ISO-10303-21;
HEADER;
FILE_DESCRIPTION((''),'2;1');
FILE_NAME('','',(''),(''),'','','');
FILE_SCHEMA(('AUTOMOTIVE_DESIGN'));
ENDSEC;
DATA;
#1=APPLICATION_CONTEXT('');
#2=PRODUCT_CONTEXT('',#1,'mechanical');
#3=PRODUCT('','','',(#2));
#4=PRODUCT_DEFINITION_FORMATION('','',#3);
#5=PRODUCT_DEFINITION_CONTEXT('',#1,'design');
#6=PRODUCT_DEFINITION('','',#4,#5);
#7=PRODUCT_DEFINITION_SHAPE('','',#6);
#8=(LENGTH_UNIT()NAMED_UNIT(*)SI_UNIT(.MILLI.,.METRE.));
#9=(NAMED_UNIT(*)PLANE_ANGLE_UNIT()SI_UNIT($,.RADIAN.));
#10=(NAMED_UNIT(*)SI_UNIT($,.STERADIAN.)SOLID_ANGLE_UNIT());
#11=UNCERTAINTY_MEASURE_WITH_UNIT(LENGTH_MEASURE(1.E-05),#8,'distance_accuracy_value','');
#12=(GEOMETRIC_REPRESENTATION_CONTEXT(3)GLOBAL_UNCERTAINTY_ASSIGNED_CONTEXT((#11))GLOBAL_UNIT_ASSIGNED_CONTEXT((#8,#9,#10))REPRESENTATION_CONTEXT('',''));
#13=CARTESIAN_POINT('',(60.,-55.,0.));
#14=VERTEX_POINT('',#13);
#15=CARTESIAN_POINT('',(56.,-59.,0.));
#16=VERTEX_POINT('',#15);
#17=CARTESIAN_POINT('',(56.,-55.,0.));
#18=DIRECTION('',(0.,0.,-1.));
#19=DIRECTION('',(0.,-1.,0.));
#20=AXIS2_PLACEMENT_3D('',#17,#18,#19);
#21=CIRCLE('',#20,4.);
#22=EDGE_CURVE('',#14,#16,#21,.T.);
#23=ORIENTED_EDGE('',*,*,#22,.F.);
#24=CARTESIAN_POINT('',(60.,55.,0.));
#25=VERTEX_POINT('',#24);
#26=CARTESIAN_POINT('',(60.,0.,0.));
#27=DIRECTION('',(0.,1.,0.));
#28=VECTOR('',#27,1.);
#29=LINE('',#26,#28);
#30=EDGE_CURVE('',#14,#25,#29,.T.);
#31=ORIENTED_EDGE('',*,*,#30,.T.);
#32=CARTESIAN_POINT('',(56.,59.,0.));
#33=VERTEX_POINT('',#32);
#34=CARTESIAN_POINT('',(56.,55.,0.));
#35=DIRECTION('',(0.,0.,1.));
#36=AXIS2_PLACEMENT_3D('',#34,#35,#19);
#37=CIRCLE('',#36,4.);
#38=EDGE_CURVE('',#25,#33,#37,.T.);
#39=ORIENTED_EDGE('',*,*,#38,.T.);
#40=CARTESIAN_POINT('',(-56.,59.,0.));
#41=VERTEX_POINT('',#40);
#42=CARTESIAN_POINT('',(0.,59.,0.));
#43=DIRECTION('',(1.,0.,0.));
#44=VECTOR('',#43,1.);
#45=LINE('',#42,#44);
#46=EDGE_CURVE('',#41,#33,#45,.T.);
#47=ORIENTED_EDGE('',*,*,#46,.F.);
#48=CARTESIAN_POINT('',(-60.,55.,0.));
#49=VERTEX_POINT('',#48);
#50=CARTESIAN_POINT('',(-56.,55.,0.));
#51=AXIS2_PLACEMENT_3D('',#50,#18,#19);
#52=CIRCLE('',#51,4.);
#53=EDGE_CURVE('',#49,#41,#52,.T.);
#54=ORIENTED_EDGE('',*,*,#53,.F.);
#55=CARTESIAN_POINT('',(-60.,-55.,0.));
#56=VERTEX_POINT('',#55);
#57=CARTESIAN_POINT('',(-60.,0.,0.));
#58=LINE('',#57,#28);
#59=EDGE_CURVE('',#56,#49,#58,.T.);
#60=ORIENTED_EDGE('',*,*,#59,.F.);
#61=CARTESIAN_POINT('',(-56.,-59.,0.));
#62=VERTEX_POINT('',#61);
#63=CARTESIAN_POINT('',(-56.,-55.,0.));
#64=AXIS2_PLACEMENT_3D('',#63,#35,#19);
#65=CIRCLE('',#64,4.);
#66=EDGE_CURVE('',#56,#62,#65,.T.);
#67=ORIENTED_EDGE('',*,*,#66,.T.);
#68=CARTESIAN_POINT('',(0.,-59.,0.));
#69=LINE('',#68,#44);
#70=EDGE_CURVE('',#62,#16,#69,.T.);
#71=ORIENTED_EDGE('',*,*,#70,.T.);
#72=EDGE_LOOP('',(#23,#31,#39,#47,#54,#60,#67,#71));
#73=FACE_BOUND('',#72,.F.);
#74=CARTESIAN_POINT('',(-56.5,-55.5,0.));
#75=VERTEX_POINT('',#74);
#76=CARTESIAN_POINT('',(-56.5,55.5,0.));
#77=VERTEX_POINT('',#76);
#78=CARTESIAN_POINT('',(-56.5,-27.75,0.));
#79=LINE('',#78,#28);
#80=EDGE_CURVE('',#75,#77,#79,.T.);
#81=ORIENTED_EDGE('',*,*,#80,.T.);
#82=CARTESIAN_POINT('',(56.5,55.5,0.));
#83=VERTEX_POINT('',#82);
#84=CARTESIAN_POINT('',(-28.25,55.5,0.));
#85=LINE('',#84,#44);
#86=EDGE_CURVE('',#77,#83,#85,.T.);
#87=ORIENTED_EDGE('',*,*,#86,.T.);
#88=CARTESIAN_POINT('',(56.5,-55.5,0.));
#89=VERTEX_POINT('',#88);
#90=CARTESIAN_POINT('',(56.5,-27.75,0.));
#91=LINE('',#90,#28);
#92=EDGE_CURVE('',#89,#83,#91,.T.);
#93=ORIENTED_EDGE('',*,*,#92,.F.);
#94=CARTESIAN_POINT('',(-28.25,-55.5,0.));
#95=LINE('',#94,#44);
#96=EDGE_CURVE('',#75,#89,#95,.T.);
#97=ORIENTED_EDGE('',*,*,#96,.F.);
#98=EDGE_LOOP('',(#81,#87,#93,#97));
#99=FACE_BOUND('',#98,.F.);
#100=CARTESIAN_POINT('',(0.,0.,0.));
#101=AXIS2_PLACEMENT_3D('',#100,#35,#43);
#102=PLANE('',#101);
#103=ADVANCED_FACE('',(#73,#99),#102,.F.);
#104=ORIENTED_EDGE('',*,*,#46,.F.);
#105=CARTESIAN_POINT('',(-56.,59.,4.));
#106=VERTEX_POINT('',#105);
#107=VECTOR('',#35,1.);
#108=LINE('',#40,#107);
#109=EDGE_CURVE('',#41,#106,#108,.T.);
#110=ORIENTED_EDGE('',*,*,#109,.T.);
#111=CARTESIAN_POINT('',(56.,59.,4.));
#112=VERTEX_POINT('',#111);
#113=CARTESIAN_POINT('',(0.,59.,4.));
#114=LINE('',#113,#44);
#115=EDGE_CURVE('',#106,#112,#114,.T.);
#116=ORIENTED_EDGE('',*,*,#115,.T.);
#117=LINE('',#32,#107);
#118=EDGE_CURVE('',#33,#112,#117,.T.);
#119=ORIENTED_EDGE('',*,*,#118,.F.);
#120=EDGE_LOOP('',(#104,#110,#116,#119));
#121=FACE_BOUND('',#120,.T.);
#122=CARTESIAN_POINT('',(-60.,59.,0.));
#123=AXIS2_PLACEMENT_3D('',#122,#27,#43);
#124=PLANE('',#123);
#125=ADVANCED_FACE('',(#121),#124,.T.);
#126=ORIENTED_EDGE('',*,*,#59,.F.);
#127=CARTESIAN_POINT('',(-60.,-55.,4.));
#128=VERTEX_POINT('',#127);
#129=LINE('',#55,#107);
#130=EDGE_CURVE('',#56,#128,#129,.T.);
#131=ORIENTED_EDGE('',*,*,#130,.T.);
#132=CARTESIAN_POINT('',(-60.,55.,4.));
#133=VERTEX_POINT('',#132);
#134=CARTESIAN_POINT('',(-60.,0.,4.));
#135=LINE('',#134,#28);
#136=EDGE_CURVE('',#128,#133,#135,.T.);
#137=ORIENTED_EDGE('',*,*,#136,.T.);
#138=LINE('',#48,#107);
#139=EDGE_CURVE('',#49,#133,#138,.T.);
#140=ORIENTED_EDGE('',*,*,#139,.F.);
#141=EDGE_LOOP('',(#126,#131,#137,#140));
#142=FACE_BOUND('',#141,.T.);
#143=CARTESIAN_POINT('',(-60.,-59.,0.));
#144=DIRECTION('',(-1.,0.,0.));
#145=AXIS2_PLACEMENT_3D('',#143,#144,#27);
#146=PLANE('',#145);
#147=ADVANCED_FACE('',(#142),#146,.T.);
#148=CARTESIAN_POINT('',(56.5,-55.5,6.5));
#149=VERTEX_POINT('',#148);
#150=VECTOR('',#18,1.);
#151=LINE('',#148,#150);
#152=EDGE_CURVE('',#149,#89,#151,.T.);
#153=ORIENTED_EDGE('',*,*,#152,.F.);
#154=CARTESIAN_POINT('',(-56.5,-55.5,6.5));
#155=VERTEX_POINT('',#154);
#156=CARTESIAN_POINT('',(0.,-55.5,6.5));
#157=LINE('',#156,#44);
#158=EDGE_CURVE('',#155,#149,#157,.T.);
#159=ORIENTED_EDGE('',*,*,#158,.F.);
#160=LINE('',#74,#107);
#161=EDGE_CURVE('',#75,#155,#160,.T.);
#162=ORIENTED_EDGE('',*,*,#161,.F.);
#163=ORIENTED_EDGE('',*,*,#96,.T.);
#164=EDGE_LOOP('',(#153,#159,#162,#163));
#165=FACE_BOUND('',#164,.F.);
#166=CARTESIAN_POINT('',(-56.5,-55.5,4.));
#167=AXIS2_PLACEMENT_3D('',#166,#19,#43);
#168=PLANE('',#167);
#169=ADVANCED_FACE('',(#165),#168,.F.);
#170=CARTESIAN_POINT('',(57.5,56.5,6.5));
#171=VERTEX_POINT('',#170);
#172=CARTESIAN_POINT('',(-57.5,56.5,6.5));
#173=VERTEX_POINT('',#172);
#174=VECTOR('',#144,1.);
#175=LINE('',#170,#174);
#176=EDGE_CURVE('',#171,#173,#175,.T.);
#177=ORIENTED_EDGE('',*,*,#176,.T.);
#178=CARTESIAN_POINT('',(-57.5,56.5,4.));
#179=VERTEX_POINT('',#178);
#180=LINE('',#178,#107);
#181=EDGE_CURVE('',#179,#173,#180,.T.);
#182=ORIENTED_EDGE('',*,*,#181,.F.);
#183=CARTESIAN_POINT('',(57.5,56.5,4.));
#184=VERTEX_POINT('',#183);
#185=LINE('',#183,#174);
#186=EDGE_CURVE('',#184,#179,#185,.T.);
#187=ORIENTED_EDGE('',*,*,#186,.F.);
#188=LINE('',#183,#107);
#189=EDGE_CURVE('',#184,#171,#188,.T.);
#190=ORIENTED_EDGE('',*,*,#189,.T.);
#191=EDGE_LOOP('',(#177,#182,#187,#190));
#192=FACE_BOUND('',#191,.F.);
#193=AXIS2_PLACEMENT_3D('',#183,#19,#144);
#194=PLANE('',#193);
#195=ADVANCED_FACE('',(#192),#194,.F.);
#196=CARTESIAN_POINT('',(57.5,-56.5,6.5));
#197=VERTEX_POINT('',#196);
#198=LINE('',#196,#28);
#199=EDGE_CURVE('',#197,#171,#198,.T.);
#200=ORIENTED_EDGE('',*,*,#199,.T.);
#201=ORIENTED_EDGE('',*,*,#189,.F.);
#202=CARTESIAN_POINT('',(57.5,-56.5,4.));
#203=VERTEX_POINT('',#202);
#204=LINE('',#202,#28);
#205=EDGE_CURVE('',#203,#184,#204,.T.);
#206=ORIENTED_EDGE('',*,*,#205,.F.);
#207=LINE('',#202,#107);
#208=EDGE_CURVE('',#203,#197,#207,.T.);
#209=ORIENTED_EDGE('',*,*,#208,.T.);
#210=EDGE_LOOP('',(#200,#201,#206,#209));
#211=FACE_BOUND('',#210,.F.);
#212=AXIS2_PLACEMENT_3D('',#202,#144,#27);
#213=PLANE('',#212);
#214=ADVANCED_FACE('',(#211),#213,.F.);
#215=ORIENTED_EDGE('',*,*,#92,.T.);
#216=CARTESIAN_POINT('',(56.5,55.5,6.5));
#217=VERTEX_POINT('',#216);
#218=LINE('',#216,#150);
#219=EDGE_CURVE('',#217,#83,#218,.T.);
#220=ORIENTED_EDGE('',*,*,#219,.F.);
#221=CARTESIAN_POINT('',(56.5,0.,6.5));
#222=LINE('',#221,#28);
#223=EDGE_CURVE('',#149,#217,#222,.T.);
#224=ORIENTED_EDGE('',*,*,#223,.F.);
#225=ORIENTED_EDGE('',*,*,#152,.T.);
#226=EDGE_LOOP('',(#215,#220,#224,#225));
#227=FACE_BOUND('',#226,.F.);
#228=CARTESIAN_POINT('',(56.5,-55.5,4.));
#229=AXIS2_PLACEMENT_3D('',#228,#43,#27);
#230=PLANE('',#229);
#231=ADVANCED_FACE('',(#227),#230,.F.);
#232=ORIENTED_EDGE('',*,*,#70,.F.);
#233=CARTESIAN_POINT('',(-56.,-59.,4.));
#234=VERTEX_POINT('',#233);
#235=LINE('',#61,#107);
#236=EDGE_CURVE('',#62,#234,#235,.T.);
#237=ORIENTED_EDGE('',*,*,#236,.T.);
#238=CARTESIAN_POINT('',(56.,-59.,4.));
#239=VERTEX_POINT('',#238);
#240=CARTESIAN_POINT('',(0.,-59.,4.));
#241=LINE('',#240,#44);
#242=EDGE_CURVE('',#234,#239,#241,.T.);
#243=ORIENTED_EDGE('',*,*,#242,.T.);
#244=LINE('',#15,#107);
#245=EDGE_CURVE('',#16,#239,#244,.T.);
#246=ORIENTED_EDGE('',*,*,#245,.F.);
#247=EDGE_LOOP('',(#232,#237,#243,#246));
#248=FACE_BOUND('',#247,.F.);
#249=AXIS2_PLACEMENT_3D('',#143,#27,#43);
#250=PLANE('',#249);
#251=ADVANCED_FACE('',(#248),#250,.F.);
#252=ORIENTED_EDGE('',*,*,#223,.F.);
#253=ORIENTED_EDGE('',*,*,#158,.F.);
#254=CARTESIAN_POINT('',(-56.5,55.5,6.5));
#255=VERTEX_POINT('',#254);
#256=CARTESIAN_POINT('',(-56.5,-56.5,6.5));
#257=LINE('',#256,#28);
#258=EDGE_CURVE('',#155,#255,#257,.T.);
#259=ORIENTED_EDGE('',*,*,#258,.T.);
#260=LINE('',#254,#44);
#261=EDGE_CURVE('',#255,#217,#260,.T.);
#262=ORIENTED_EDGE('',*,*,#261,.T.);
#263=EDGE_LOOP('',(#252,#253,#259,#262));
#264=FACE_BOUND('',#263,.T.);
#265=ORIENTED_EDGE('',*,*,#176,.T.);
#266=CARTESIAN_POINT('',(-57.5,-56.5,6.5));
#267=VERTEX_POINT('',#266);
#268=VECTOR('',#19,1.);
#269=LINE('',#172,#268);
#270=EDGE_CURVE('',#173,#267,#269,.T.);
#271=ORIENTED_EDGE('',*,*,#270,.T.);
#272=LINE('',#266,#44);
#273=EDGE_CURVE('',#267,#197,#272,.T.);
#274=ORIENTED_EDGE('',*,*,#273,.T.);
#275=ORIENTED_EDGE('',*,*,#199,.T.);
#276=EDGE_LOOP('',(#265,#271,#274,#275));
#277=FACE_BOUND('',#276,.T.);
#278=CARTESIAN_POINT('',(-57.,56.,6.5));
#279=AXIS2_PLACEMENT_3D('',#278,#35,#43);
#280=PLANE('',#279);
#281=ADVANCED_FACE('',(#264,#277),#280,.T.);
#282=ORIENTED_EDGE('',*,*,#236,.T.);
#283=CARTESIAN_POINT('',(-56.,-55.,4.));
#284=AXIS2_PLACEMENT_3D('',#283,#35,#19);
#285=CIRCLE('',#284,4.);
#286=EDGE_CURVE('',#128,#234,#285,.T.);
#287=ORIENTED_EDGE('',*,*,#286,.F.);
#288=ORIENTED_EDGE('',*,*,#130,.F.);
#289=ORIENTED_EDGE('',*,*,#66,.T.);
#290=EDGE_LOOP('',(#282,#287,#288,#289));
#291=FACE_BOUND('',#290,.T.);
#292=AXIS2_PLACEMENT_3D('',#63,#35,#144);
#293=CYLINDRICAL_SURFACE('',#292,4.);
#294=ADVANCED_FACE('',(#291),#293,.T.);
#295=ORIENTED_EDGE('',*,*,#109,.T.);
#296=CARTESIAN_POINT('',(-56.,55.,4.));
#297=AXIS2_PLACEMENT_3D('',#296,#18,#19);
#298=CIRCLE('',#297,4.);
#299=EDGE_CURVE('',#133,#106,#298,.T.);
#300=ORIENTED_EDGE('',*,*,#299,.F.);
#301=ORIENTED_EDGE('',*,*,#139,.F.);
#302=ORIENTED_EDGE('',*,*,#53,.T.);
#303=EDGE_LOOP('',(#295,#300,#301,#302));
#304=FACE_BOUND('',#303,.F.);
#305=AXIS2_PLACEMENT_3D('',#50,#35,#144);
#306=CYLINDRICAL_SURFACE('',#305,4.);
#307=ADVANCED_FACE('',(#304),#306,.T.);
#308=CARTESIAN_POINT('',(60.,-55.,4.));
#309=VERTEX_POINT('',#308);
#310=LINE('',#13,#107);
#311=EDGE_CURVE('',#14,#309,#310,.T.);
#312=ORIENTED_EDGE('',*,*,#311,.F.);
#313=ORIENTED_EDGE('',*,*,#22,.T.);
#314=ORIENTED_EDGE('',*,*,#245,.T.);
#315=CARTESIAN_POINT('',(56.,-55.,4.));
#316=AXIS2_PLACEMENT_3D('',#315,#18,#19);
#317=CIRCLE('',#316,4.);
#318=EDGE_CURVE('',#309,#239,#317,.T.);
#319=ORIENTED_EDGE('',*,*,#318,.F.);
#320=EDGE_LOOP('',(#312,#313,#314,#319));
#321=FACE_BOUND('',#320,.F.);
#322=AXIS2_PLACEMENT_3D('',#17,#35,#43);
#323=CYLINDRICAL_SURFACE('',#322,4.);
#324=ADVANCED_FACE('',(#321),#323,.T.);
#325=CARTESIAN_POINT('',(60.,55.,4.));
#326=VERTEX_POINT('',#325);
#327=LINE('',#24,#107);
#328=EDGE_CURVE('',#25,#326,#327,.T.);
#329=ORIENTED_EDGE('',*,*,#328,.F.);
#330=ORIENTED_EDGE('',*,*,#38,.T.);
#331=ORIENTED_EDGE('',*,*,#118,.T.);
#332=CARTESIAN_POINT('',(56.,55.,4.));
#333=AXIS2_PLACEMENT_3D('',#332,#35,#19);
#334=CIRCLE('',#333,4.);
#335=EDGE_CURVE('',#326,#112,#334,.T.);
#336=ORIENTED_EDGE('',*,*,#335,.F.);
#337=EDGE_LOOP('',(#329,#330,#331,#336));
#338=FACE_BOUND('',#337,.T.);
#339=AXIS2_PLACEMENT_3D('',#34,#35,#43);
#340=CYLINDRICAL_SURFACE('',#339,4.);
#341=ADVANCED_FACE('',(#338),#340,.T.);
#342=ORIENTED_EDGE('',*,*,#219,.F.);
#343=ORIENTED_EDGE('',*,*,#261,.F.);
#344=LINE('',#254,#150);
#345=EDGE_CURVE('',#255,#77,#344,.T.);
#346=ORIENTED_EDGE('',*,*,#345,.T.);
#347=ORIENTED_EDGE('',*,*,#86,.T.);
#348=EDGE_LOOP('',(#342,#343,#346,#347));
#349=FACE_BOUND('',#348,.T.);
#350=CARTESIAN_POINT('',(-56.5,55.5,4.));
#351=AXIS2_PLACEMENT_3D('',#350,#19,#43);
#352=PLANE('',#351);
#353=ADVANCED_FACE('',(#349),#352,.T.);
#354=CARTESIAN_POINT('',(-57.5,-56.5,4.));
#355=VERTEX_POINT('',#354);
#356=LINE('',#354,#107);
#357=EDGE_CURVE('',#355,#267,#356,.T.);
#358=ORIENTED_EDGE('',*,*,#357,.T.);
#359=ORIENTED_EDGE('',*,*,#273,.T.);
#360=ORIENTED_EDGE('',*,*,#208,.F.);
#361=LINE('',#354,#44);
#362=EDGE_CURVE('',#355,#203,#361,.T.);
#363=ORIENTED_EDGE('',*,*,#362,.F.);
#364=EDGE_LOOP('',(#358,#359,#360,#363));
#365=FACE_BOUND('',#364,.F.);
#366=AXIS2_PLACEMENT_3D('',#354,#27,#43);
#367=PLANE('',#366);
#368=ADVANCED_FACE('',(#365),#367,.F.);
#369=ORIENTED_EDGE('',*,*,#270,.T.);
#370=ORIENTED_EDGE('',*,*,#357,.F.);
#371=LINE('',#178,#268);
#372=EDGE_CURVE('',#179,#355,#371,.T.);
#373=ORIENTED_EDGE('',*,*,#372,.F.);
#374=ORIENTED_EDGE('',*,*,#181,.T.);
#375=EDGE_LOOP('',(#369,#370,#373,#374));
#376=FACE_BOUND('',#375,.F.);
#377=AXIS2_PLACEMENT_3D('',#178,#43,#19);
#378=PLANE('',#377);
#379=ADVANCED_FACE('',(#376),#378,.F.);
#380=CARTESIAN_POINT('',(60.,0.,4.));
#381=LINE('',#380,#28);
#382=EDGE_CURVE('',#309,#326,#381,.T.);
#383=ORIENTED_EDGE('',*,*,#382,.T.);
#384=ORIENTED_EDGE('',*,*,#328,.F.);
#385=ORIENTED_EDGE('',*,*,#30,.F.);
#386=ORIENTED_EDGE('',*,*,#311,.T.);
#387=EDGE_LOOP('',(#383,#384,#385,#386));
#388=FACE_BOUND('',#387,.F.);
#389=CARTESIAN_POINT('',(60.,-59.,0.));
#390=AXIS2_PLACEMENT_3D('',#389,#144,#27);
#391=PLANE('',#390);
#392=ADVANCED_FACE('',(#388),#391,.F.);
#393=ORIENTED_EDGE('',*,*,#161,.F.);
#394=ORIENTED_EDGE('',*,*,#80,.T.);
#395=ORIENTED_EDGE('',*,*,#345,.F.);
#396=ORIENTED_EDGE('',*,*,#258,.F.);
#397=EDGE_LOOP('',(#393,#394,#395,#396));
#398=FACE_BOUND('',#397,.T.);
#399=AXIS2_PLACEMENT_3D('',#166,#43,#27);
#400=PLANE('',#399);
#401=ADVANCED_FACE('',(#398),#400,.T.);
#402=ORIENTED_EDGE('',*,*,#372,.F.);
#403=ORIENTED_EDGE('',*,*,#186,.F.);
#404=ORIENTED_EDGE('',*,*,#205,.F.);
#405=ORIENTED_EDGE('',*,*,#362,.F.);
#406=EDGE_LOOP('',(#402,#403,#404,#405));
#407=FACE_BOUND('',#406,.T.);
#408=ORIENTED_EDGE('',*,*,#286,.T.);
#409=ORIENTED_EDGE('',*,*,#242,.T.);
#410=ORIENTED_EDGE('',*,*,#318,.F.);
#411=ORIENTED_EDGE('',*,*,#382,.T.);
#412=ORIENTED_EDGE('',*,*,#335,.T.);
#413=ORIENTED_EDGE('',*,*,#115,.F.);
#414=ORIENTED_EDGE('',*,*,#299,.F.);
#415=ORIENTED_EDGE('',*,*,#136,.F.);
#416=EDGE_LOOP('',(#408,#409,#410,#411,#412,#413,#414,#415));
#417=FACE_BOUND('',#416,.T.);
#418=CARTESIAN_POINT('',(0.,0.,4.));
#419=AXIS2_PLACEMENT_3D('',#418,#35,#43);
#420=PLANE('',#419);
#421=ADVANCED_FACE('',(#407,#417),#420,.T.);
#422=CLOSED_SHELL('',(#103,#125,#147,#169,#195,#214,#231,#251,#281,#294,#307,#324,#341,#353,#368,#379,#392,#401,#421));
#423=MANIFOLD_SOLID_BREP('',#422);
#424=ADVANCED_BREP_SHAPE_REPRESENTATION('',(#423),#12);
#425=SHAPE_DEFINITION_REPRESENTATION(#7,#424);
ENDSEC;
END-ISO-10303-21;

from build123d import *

# Parameters (mm, degrees)
F0_W     = 120
F0_H     = 118
F1_DEPTH = 4
F2_W     = 1
F2_H     = 1
F2_W_2   = 113
F2_H_2   = 111
F3_DEPTH = 2.5
F4_W     = 113
F4_H     = 111
F5_DEPTH = 5
F6_R     = 4


with BuildPart() as f1:
    # F0 (on Top) → F1 (new body)
    with BuildSketch(Plane.XY):
        Rectangle(F0_W, F0_H)
    extrude(amount=F1_DEPTH)

    # F2 (on face) → F3 (join)
    with BuildSketch(Plane.XY.offset(4)):
        with Locations((-57, 56)):
            Rectangle(F2_W, F2_H)
        with Locations((0, 56)):
            Rectangle(F2_W_2, F2_H)
        with Locations((-57, 0)):
            Rectangle(F2_W, F2_H_2)
        with Locations((57, 56)):
            Rectangle(F2_W, F2_H)
        with Locations((-57, -56)):
            Rectangle(F2_W, F2_H)
        with Locations((0, -56)):
            Rectangle(F2_W_2, F2_H)
        with Locations((57, 0)):
            Rectangle(F2_W, F2_H_2)
        with Locations((57, -56)):
            Rectangle(F2_W, F2_H)
    extrude(amount=F3_DEPTH)

    # F4 (on face) → F5 (cut)
    with BuildSketch(Plane.XY.offset(4)):
        Rectangle(F4_W, F4_H)
    extrude(amount=-F5_DEPTH, mode=Mode.SUBTRACT)

    # F6
    f6_edges = [f1.edges().sort_by_distance(p)[0] for p in [
        (-60, 59, 2),
        (60, 59, 2),
        (60, -59, 2),
        (-60, -59, 2),
    ]]
    fillet(f6_edges, radius=F6_R)


solid = f1.part
